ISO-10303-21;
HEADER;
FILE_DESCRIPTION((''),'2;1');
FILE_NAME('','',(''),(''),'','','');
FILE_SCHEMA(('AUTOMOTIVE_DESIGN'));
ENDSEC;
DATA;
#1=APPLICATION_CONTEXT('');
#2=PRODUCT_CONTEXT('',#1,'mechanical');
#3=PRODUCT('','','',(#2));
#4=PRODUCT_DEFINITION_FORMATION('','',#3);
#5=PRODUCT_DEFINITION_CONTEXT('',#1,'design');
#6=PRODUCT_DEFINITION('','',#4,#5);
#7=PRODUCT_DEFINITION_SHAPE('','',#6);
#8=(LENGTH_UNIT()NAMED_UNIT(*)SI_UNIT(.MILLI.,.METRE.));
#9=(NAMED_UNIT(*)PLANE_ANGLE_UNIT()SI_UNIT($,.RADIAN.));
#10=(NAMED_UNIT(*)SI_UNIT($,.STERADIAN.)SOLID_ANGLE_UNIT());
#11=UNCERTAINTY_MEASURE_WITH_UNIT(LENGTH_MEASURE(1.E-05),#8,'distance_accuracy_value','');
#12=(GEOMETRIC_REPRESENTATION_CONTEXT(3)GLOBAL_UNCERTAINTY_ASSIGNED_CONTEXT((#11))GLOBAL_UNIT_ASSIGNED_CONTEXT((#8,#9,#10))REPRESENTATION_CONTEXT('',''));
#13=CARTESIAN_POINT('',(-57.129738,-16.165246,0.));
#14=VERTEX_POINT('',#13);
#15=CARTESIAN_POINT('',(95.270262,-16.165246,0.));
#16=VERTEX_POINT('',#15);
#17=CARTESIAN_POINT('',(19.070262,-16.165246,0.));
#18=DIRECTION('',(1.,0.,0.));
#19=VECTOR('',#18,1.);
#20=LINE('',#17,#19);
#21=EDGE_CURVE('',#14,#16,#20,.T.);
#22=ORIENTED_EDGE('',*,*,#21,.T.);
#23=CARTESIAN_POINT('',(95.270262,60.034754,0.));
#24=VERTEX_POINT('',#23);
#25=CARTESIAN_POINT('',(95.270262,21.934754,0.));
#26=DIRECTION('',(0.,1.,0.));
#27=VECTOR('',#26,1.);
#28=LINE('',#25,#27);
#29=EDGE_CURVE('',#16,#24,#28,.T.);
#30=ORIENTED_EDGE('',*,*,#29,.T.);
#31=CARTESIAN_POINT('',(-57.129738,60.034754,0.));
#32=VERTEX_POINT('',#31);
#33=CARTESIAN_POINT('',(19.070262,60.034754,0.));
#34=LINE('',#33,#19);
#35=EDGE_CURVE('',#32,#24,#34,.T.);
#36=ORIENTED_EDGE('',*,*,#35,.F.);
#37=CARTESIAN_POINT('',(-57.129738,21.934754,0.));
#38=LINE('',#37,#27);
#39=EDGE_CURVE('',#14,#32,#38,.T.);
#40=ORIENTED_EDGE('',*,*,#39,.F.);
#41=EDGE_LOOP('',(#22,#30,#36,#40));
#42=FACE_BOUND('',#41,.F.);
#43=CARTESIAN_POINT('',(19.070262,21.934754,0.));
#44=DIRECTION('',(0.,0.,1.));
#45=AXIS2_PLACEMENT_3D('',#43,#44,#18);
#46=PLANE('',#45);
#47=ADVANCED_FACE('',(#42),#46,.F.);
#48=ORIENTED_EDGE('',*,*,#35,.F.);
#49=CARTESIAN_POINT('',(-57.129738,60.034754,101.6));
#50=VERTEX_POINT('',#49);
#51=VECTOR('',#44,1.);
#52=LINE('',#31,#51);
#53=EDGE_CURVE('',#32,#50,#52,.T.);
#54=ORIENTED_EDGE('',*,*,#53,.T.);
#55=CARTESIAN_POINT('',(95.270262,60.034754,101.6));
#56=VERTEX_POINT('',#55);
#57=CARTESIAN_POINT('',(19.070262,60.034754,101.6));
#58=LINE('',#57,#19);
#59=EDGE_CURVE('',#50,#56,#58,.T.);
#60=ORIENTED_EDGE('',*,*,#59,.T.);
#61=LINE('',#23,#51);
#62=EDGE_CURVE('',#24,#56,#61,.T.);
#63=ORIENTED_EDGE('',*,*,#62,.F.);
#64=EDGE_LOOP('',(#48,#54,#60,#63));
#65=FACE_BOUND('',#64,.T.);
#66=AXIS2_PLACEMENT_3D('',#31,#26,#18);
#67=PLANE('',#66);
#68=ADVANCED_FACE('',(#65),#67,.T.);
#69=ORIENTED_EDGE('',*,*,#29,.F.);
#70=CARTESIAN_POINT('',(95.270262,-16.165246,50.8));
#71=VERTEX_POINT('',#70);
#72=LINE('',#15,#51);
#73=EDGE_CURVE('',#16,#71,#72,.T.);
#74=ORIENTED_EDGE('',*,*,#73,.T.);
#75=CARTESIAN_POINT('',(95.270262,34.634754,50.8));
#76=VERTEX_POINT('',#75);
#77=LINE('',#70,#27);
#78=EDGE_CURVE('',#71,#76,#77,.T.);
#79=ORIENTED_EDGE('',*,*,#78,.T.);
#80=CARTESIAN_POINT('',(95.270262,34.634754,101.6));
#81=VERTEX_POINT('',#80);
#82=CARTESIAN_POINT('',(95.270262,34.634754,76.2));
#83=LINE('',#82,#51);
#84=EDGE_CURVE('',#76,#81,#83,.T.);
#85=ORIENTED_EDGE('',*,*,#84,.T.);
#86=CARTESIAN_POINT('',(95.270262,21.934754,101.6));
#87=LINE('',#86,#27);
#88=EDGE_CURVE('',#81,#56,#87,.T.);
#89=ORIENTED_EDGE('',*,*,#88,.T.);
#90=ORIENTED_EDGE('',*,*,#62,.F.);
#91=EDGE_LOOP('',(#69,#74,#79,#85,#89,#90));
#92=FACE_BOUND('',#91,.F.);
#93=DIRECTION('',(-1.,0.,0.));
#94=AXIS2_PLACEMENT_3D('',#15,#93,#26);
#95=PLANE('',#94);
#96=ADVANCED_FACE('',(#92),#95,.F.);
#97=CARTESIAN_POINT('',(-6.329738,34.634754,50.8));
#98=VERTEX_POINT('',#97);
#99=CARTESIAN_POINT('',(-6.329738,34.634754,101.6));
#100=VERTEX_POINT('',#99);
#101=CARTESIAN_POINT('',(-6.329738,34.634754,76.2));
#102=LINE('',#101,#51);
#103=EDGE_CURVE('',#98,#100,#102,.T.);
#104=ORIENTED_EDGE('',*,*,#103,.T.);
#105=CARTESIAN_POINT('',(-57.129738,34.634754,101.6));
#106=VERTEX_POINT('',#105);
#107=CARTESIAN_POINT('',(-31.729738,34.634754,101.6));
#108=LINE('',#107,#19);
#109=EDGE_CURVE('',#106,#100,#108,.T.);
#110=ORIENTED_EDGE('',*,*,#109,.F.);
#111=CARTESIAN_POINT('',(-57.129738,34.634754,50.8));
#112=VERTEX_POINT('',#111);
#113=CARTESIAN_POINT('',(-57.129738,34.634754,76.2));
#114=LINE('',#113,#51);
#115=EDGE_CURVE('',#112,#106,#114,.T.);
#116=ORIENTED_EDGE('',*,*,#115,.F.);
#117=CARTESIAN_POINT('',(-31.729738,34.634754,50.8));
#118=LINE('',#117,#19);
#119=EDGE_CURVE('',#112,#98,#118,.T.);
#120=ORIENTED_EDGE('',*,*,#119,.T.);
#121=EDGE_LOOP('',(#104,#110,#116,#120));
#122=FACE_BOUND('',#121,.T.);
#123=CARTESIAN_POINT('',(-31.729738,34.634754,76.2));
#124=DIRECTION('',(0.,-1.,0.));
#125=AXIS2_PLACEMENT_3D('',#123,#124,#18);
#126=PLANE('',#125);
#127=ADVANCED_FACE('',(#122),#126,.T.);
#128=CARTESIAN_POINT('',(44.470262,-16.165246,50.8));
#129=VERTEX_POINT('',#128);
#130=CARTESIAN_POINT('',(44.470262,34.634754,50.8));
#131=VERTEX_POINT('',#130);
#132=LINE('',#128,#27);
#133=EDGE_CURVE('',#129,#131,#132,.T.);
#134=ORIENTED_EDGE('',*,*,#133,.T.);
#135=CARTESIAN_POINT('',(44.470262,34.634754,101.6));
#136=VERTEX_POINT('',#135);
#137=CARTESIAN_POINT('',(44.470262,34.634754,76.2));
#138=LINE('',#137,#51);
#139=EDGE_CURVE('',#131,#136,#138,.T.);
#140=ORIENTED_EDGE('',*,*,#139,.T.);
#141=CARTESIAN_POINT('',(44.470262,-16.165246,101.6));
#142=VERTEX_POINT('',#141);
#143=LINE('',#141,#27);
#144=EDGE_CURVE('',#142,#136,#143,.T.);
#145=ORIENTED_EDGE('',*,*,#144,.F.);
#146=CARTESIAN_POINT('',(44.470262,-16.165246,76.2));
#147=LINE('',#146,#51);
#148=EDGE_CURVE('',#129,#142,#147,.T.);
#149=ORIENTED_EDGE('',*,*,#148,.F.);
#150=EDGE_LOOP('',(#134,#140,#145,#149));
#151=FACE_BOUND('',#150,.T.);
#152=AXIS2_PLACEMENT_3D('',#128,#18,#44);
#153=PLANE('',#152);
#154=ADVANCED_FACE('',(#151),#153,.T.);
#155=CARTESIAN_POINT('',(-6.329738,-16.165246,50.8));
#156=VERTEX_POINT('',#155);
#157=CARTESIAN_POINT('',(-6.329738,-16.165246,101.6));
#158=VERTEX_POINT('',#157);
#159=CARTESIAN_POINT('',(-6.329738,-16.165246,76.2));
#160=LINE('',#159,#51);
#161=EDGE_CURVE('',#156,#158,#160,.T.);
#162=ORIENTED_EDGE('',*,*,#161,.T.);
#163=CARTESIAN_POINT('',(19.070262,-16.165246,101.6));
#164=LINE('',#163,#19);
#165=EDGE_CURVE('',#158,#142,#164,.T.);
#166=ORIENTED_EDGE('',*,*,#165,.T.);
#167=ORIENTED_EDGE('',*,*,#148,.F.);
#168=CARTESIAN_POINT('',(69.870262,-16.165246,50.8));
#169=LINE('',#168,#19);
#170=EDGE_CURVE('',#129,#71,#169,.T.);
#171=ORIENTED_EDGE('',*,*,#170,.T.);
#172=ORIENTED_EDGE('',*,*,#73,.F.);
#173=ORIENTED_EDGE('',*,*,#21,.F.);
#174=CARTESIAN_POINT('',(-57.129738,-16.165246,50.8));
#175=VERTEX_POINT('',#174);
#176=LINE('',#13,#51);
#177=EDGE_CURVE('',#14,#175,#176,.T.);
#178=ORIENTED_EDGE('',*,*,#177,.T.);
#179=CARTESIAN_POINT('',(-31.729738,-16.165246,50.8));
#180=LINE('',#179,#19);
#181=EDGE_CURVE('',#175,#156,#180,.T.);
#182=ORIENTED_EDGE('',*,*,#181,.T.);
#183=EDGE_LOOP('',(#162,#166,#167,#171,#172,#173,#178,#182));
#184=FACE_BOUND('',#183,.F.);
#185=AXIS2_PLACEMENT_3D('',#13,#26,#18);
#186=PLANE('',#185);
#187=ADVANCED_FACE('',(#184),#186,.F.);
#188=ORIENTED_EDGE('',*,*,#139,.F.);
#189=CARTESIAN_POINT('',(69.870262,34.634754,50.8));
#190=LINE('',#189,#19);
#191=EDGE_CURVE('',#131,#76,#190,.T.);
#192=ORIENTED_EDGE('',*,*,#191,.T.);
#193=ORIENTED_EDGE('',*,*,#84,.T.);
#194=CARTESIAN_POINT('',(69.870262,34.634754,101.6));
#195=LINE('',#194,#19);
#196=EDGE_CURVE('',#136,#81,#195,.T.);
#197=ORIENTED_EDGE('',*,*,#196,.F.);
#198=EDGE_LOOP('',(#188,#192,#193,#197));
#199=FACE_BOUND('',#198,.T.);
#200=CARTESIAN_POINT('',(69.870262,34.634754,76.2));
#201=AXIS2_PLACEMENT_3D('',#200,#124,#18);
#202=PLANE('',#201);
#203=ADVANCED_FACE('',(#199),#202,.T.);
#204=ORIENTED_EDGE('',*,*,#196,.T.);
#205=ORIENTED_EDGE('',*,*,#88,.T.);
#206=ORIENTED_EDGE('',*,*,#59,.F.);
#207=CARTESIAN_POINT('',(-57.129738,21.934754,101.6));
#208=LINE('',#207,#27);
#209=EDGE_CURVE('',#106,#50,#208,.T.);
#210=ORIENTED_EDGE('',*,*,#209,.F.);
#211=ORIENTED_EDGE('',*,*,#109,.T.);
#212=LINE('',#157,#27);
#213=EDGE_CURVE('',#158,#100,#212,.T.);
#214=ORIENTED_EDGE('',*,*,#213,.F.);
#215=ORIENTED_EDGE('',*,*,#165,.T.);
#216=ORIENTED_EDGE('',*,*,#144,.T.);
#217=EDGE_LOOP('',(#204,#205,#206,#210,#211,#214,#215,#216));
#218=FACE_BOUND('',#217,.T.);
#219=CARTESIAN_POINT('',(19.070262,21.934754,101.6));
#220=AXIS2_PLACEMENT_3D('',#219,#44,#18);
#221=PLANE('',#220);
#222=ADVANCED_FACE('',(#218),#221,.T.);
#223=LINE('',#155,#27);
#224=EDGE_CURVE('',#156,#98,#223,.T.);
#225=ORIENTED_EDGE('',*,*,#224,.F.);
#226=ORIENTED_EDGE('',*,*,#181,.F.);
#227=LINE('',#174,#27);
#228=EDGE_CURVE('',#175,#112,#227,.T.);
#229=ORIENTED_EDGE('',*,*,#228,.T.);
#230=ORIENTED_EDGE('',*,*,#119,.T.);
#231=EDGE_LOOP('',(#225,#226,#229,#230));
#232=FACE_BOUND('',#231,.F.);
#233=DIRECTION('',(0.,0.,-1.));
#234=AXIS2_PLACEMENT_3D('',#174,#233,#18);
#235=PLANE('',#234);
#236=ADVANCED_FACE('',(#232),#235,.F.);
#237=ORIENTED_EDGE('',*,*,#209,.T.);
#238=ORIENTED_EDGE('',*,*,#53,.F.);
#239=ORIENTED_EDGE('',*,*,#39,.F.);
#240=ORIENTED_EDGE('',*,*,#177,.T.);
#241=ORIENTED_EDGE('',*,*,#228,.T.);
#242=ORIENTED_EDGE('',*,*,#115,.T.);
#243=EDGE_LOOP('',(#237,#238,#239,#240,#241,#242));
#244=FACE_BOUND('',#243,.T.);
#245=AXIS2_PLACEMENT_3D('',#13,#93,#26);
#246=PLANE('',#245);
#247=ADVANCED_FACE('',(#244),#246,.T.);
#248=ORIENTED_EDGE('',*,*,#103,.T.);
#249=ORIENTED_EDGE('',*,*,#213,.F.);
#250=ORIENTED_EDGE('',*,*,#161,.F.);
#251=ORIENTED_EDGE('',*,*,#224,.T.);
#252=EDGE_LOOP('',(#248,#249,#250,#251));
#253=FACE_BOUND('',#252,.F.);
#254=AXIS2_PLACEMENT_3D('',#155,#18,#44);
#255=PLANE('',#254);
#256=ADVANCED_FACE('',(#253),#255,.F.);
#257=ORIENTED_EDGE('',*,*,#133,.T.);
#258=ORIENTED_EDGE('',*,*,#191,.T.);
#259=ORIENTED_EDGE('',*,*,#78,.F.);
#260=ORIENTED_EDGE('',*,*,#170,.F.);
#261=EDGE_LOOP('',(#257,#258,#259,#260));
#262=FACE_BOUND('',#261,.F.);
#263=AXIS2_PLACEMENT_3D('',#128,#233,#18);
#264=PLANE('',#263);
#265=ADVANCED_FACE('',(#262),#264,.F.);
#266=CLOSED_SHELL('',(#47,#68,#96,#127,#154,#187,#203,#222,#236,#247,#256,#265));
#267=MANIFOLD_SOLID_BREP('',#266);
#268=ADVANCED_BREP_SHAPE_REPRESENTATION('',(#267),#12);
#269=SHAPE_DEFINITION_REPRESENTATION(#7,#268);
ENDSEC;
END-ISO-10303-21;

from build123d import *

# Parameters (mm, degrees)
F0_W     = 152.4
F0_H     = 76.2
F1_DEPTH = 101.6
F2_W     = 50.8
F2_H     = 50.8
F3_DEPTH = 50.8


with BuildPart() as f1:
    # F0 (on Top) → F1 (new body)
    with BuildSketch(Plane.XY):
        with Locations((19.0702620894, 21.9347542571)):
            Rectangle(F0_W, F0_H)
    extrude(amount=F1_DEPTH)

    # F2 (on face) → F3 (cut)
    with BuildSketch(Plane.XZ.offset(16.1652457429)):
        with Locations((-31.7297379106, 76.2)):
            Rectangle(F2_W, F2_H)
        with Locations((69.8702620894, 76.2)):
            Rectangle(F2_W, F2_H)
    extrude(amount=-F3_DEPTH, mode=Mode.SUBTRACT)


solid = f1.part
